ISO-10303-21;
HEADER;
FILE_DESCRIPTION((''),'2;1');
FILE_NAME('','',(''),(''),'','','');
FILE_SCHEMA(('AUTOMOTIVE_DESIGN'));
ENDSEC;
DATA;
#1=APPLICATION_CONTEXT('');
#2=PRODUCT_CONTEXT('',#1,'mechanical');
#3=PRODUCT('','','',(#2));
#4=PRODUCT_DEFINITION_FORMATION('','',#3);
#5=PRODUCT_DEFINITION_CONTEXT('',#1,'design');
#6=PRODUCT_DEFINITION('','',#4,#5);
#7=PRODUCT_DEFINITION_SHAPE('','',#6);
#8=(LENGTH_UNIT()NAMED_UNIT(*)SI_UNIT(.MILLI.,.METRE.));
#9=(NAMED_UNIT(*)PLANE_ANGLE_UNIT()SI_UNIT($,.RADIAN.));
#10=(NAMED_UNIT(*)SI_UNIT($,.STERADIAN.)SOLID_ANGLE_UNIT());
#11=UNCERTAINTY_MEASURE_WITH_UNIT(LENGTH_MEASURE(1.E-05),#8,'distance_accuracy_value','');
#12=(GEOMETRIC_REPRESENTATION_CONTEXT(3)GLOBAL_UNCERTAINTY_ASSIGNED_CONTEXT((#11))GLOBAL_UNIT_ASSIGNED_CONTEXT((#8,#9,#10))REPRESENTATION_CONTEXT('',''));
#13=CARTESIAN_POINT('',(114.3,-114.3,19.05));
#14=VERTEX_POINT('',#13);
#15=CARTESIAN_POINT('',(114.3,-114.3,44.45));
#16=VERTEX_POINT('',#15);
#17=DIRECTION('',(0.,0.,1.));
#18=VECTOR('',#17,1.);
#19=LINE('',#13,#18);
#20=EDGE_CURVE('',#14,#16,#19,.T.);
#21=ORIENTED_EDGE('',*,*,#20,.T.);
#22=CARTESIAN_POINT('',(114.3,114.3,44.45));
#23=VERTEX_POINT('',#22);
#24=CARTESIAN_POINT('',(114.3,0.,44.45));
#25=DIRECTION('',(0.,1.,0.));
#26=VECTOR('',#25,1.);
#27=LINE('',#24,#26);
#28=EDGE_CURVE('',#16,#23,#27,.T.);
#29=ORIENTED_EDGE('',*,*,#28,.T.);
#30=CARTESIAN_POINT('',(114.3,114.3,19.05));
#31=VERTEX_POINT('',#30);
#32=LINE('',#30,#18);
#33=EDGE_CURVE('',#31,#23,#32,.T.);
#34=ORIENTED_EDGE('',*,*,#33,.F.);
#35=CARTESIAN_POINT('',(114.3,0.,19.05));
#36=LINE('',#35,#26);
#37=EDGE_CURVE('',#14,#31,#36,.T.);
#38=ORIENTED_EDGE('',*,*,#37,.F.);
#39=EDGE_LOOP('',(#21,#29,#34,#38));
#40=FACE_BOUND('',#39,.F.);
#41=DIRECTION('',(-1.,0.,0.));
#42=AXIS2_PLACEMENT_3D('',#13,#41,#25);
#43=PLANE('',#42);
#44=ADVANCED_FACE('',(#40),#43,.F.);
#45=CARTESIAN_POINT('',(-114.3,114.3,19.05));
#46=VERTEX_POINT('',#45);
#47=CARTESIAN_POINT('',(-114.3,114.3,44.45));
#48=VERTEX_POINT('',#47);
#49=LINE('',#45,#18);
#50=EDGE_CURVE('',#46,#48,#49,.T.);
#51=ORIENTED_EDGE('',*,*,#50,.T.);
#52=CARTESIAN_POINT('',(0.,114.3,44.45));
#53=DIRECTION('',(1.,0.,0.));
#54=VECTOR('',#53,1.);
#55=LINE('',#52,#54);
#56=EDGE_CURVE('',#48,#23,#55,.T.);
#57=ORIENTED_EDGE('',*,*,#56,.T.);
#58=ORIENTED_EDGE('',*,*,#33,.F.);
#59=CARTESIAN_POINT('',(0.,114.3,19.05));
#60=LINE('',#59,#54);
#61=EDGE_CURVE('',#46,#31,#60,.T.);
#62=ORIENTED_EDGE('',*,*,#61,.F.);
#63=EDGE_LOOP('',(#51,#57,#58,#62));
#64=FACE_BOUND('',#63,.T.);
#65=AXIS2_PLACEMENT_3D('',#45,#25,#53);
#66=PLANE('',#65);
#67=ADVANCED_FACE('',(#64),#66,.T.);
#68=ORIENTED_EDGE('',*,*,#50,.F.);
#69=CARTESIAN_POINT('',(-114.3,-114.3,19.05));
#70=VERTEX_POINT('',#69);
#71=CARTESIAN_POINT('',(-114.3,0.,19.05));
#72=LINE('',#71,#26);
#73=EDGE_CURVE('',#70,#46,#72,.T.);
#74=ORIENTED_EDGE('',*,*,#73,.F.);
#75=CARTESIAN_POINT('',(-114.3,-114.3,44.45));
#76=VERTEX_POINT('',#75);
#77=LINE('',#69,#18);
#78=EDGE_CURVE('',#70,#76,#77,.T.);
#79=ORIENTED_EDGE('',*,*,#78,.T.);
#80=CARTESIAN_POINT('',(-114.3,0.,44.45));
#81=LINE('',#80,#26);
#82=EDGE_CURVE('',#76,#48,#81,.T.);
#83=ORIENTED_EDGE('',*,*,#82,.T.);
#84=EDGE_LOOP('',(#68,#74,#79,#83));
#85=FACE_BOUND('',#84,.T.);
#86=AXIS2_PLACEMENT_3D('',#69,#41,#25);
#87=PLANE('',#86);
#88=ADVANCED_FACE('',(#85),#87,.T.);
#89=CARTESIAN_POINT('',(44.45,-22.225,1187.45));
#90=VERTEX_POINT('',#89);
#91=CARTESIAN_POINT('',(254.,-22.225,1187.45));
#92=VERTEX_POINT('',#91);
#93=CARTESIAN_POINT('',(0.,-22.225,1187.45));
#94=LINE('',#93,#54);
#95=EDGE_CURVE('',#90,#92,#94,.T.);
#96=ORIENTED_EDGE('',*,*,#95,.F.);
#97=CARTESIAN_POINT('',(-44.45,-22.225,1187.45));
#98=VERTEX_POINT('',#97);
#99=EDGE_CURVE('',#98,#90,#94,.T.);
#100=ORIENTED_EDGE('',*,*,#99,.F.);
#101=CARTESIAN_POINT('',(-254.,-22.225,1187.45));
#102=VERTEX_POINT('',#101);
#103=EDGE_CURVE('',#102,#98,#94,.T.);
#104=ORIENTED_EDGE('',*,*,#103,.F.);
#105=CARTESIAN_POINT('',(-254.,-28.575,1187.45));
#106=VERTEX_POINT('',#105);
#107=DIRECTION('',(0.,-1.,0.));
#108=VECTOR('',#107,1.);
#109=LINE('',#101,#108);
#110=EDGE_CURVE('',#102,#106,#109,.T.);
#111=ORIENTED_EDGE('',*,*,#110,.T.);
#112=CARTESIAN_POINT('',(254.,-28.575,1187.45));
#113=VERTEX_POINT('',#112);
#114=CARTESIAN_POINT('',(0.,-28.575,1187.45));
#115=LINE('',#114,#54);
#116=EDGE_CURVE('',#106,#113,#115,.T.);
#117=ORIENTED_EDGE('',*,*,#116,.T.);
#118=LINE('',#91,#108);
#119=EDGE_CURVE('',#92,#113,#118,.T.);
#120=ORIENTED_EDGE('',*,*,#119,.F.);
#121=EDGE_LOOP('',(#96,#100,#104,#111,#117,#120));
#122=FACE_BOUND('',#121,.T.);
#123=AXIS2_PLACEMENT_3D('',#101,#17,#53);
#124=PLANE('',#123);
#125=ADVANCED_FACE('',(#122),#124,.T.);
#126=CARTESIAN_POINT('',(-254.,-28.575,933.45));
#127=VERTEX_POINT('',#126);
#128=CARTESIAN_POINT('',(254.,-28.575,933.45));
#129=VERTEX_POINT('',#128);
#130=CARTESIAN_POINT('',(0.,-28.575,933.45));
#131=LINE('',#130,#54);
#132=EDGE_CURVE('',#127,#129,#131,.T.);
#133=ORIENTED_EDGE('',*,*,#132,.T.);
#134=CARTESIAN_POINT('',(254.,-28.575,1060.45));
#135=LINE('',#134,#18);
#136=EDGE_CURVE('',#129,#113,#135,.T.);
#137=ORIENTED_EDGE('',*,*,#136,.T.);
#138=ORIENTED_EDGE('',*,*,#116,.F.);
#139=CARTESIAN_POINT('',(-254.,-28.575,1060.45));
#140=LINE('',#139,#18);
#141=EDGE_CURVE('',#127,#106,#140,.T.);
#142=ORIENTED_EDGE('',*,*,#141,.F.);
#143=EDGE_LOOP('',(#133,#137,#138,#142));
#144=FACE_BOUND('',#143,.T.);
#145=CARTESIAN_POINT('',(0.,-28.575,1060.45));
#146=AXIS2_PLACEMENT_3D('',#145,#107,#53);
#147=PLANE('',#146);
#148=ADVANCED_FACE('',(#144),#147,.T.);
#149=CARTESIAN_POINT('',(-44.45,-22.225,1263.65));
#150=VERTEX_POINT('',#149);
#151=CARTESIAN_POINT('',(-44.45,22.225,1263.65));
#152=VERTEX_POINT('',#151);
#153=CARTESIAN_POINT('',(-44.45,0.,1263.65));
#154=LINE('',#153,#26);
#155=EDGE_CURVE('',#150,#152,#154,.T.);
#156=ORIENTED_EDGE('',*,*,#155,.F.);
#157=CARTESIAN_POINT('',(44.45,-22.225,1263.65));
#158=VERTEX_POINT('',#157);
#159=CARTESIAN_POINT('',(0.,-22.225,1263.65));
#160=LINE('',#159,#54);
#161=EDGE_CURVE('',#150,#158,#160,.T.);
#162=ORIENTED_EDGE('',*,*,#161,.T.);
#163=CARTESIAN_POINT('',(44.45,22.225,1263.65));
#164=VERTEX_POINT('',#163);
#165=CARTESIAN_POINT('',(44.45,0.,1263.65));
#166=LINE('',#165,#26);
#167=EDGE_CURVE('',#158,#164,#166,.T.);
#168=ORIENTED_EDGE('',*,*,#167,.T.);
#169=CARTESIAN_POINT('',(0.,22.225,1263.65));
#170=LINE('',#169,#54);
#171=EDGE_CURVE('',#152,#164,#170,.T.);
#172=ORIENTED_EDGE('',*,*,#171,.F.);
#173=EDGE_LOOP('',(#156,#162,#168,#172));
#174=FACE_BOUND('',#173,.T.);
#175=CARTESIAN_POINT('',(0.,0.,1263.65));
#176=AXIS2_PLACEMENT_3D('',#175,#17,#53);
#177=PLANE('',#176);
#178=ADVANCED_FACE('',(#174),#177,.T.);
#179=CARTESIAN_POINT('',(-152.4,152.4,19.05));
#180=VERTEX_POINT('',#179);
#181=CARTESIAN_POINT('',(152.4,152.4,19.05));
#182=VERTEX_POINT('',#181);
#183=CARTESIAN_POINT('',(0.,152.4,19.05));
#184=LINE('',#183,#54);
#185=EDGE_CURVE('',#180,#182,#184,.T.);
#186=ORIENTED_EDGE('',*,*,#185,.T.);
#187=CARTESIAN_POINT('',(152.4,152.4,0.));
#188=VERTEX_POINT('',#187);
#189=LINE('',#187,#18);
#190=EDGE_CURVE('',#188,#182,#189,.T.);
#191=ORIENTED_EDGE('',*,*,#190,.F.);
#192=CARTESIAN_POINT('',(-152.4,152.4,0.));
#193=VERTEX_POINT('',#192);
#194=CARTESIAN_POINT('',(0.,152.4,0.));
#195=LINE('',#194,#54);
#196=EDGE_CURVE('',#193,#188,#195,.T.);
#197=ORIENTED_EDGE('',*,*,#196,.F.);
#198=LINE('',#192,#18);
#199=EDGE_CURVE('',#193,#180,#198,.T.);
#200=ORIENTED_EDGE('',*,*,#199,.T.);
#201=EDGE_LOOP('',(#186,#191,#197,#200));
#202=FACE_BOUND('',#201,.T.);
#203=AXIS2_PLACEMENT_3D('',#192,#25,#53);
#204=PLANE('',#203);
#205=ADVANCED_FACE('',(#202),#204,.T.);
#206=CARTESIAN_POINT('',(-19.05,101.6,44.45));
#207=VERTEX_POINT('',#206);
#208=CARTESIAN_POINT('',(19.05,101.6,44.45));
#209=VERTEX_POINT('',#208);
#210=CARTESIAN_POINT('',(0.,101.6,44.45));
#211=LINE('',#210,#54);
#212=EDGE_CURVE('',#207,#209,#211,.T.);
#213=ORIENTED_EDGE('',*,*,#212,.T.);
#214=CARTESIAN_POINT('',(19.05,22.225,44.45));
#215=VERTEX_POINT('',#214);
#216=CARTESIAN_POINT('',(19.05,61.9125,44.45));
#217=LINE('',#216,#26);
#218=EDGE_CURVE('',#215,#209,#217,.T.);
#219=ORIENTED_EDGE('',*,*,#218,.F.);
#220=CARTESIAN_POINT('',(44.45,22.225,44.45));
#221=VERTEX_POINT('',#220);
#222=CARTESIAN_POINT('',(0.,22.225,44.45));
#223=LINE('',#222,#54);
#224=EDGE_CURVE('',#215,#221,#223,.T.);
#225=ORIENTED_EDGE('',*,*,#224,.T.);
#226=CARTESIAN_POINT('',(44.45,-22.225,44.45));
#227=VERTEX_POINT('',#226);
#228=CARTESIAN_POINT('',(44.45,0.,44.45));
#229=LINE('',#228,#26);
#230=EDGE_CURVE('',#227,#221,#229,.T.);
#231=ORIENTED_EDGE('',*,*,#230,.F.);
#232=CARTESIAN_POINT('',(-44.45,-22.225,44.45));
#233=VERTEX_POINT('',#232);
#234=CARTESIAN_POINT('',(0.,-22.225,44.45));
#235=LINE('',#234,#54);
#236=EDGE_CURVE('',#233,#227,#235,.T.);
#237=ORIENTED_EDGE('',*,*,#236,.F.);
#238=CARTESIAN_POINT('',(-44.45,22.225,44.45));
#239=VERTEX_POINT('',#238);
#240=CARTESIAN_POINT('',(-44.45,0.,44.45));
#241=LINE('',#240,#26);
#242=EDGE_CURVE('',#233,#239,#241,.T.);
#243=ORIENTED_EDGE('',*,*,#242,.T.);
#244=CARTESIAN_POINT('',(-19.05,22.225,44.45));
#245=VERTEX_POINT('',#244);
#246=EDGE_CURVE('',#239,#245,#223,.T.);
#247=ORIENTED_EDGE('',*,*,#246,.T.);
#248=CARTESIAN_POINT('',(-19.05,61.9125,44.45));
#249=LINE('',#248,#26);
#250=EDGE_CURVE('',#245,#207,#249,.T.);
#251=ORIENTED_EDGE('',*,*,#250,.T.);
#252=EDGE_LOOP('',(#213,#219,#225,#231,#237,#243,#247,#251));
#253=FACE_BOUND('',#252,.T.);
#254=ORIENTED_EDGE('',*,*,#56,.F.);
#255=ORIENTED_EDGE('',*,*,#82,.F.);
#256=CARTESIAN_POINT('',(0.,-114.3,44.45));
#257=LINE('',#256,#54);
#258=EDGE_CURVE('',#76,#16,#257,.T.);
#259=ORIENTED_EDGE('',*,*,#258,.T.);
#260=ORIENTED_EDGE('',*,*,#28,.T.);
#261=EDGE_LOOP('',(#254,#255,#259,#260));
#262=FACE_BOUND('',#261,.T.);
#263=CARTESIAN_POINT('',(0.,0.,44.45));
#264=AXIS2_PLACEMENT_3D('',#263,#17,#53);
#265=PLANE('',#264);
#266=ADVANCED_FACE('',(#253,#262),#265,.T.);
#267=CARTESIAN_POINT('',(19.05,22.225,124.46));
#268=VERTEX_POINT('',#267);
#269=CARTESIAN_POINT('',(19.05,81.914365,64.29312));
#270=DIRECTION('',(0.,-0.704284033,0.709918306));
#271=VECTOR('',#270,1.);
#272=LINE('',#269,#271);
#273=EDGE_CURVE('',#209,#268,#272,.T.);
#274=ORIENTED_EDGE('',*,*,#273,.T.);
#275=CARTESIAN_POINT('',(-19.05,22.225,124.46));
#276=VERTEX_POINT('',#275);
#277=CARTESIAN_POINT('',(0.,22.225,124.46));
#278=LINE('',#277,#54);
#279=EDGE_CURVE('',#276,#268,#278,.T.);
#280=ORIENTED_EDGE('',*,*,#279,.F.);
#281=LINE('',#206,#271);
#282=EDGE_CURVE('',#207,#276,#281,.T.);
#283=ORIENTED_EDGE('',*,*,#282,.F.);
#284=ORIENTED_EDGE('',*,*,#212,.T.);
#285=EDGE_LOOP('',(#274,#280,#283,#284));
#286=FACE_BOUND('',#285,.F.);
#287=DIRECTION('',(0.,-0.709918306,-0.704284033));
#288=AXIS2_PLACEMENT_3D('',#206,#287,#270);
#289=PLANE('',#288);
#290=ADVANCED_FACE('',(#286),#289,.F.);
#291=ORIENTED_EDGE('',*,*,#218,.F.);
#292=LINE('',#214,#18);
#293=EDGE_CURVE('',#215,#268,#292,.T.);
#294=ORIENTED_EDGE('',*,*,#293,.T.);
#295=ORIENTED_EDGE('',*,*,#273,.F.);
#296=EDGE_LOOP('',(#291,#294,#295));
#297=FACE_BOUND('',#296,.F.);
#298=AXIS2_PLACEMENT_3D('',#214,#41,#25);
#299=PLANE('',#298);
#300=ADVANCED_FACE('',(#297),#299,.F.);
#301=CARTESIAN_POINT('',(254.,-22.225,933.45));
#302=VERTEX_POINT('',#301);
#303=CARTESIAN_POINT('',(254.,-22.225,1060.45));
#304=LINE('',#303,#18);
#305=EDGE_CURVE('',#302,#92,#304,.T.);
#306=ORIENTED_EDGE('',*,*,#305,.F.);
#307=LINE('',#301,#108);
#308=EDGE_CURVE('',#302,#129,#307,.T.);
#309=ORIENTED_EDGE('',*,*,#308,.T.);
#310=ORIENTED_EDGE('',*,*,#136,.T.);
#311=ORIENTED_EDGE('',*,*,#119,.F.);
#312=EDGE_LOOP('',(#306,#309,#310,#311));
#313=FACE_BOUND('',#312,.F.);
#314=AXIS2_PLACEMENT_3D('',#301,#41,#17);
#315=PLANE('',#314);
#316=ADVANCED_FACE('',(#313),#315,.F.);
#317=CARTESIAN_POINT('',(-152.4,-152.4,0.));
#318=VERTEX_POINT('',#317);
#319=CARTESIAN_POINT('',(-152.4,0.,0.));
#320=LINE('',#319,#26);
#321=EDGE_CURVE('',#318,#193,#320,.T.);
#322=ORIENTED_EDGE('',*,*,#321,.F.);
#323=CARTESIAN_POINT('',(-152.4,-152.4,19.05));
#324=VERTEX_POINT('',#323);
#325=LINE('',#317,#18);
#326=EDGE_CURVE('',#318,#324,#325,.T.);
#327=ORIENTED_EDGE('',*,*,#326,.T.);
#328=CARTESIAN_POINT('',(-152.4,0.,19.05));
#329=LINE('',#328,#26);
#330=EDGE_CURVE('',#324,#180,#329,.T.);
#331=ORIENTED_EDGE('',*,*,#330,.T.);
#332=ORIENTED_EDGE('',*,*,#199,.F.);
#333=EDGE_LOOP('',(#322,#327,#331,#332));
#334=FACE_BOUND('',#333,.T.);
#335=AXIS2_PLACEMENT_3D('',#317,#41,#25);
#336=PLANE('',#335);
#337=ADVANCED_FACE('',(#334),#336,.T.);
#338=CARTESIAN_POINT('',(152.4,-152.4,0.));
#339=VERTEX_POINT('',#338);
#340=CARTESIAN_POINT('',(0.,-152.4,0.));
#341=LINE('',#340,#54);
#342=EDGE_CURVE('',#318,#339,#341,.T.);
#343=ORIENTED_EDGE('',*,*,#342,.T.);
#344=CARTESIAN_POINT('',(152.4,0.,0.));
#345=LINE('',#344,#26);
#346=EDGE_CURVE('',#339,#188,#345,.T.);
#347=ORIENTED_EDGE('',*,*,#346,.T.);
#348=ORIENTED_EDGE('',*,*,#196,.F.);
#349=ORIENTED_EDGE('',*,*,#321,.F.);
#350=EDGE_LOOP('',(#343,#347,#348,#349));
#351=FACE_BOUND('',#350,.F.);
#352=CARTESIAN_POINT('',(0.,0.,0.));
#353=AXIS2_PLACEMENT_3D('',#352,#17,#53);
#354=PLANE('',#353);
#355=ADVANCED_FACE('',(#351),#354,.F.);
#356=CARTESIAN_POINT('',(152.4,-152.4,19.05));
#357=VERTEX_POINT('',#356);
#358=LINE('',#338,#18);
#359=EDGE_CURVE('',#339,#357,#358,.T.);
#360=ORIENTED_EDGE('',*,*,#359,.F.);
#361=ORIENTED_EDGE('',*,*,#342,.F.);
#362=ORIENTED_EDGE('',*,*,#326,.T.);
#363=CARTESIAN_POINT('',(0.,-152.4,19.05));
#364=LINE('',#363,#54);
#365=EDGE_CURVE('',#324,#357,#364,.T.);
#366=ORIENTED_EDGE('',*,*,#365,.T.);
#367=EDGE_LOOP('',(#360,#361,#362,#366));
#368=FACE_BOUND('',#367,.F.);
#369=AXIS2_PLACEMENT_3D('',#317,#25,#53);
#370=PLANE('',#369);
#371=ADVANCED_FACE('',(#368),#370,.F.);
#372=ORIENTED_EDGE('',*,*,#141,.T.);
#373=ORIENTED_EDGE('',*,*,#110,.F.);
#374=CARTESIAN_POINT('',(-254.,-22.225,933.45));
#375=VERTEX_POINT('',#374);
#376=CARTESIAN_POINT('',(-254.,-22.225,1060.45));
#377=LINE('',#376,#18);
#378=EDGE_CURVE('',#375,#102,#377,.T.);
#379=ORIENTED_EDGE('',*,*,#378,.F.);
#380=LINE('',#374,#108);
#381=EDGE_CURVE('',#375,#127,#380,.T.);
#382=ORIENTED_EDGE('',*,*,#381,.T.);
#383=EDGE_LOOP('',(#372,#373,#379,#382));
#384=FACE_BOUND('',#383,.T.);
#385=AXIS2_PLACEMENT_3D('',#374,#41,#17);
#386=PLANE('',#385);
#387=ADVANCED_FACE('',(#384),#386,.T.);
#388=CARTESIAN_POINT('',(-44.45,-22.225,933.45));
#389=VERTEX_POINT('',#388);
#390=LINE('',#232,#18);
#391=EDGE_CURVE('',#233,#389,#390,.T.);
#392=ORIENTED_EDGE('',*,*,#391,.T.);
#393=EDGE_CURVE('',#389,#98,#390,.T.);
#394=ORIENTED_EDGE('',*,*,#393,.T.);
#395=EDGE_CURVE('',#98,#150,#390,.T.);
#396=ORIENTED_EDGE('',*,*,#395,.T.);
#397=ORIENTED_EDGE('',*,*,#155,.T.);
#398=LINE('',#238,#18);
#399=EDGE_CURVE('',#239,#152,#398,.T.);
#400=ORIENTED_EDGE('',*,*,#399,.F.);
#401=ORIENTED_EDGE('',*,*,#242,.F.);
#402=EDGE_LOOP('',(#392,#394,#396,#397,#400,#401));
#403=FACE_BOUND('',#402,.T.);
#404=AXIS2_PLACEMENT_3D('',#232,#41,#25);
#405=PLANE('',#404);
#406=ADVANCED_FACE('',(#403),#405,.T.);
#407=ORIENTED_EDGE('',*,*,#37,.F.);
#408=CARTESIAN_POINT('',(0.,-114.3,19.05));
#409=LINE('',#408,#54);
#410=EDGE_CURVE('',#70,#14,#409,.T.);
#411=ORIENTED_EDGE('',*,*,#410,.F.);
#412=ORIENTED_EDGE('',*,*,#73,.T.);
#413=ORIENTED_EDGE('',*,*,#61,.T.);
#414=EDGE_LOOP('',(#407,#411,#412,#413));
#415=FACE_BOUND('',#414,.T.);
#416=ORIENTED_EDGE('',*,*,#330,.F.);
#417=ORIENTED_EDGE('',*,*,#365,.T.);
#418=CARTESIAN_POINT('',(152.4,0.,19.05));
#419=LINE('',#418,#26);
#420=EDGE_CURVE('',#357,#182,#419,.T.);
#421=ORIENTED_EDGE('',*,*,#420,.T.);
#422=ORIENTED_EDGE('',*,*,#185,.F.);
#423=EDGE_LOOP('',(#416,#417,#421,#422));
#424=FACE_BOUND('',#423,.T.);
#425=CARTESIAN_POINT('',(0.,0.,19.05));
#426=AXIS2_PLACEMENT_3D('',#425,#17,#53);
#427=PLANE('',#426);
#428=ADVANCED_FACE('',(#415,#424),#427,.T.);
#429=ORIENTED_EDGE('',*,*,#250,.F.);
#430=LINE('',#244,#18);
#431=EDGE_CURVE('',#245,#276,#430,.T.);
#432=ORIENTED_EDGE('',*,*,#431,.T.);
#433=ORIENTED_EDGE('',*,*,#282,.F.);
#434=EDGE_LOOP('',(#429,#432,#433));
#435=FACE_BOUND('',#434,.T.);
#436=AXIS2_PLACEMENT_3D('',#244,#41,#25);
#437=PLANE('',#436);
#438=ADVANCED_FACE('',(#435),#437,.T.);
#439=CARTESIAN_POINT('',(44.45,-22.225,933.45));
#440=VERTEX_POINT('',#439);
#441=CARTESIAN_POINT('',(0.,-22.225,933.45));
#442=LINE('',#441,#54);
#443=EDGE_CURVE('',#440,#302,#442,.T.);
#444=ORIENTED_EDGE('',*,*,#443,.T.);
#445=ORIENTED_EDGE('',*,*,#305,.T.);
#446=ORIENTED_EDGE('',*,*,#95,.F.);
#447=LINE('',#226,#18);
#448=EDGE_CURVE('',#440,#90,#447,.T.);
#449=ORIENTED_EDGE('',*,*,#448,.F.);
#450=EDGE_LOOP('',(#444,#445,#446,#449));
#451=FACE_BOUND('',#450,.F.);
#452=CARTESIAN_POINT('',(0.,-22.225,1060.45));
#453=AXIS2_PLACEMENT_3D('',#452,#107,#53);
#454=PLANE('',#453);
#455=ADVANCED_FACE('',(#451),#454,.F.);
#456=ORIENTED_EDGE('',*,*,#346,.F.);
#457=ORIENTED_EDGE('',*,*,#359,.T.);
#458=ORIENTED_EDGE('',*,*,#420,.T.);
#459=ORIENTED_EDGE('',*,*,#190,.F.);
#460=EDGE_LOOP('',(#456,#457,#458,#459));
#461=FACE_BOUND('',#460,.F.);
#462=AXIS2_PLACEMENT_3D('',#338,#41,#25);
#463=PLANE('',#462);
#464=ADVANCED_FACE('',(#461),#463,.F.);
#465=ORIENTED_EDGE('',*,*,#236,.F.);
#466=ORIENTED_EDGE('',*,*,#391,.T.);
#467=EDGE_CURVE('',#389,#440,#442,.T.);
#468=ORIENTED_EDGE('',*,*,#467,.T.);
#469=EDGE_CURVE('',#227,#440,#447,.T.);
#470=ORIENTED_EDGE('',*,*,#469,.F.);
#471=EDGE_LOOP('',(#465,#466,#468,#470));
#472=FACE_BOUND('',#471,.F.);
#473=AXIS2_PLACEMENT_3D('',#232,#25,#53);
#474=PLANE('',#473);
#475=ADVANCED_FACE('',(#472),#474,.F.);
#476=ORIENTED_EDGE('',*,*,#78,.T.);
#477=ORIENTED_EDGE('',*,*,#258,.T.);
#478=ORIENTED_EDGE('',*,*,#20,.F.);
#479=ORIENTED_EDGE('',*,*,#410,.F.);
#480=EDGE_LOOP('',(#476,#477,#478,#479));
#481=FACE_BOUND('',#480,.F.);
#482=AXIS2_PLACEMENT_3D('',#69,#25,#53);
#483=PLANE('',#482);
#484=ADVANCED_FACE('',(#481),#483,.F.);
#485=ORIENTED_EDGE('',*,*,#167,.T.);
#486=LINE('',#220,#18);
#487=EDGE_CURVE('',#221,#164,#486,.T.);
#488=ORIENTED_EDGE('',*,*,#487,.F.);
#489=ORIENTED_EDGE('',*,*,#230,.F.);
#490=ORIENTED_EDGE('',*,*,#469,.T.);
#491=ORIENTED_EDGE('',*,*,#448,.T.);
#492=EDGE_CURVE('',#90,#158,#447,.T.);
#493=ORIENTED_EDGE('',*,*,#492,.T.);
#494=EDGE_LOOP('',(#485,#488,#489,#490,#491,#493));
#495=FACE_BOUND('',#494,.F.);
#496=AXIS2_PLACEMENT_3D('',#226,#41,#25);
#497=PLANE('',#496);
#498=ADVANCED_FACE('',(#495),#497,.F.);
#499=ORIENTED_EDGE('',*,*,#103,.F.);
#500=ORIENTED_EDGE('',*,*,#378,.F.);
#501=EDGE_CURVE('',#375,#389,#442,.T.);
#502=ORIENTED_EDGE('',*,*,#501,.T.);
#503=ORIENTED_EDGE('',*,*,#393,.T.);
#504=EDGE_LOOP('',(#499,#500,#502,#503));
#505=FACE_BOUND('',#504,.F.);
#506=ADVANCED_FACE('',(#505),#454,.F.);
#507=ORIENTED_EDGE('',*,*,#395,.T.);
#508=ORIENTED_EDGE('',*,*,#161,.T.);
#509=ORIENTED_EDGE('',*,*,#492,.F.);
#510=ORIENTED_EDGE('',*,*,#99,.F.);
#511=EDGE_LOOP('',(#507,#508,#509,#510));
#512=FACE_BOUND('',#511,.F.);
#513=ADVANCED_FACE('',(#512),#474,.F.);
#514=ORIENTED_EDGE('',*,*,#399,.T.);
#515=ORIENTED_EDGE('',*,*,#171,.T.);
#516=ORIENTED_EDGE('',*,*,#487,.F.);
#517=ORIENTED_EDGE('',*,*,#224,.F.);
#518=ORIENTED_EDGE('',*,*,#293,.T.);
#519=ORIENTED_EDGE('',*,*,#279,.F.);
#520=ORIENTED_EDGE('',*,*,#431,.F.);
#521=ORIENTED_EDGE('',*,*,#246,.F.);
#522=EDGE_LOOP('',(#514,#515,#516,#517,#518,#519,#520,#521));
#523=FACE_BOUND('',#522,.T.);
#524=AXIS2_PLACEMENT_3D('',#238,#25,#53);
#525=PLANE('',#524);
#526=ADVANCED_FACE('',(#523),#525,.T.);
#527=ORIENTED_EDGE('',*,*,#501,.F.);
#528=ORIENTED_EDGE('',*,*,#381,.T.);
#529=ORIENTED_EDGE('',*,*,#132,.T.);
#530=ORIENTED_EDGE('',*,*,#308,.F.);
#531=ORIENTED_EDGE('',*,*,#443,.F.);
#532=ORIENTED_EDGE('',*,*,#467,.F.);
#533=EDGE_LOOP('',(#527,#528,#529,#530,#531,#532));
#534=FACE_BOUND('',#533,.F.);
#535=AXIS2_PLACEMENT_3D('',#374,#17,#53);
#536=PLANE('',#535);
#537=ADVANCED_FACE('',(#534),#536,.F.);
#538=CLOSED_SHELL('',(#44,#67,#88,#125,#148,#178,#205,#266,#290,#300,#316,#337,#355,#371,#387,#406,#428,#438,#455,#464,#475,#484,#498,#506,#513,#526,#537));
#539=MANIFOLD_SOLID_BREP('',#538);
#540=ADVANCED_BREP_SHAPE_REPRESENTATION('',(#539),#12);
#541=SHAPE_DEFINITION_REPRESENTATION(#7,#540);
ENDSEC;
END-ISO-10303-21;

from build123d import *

# Parameters (mm, degrees)
F0_W      = 304.8
F0_H      = 304.8
F1_DEPTH  = 19.05
F2_W      = 228.6
F2_H      = 228.6
F3_DEPTH  = 25.4
F4_W      = 88.9
F4_H      = 44.45
F5_DEPTH  = 1219.2
F6_W      = 38.1
F6_H      = 79.375
F7_DEPTH  = 80.01
F9_DEPTH  = 50.8
F10_W     = 508
F10_H     = 254
F11_DEPTH = 6.35


with BuildPart() as f1:
    # F0 (on Top) → F1 (new body)
    with BuildSketch(Plane.XY):
        Rectangle(F0_W, F0_H)
    extrude(amount=F1_DEPTH)

    # F2 (on face) → F3 (join)
    with BuildSketch(Plane.XY.offset(19.05)):
        Rectangle(F2_W, F2_H)
    extrude(amount=F3_DEPTH)

    # F4 (on face) → F5 (join)
    with BuildSketch(Plane.XY.offset(44.45)):
        Rectangle(F4_W, F4_H)
    extrude(amount=F5_DEPTH)

    # F6 (on face) → F7 (join)
    with BuildSketch(Plane.XY.offset(44.45)):
        with Locations((0, 61.9125)):
            Rectangle(F6_W, F6_H)
    extrude(amount=F7_DEPTH)

    # F8 (on face) → F9 (cut)
    with BuildSketch(Plane(origin=(-19.05, 0, 0), x_dir=(0, -1, 0), z_dir=(-1, 0, 0))):
        Polygon((-101.6, 124.46), (-101.6, 44.45), (-22.225, 124.46), align=None)
    extrude(amount=-F9_DEPTH, mode=Mode.SUBTRACT)

    # F10 (on face) → F11 (join)
    with BuildSketch(Plane.XZ.offset(22.225)):
        with Locations((0, 1060.45)):
            Rectangle(F10_W, F10_H)
    extrude(amount=F11_DEPTH)


solid = f1.part
